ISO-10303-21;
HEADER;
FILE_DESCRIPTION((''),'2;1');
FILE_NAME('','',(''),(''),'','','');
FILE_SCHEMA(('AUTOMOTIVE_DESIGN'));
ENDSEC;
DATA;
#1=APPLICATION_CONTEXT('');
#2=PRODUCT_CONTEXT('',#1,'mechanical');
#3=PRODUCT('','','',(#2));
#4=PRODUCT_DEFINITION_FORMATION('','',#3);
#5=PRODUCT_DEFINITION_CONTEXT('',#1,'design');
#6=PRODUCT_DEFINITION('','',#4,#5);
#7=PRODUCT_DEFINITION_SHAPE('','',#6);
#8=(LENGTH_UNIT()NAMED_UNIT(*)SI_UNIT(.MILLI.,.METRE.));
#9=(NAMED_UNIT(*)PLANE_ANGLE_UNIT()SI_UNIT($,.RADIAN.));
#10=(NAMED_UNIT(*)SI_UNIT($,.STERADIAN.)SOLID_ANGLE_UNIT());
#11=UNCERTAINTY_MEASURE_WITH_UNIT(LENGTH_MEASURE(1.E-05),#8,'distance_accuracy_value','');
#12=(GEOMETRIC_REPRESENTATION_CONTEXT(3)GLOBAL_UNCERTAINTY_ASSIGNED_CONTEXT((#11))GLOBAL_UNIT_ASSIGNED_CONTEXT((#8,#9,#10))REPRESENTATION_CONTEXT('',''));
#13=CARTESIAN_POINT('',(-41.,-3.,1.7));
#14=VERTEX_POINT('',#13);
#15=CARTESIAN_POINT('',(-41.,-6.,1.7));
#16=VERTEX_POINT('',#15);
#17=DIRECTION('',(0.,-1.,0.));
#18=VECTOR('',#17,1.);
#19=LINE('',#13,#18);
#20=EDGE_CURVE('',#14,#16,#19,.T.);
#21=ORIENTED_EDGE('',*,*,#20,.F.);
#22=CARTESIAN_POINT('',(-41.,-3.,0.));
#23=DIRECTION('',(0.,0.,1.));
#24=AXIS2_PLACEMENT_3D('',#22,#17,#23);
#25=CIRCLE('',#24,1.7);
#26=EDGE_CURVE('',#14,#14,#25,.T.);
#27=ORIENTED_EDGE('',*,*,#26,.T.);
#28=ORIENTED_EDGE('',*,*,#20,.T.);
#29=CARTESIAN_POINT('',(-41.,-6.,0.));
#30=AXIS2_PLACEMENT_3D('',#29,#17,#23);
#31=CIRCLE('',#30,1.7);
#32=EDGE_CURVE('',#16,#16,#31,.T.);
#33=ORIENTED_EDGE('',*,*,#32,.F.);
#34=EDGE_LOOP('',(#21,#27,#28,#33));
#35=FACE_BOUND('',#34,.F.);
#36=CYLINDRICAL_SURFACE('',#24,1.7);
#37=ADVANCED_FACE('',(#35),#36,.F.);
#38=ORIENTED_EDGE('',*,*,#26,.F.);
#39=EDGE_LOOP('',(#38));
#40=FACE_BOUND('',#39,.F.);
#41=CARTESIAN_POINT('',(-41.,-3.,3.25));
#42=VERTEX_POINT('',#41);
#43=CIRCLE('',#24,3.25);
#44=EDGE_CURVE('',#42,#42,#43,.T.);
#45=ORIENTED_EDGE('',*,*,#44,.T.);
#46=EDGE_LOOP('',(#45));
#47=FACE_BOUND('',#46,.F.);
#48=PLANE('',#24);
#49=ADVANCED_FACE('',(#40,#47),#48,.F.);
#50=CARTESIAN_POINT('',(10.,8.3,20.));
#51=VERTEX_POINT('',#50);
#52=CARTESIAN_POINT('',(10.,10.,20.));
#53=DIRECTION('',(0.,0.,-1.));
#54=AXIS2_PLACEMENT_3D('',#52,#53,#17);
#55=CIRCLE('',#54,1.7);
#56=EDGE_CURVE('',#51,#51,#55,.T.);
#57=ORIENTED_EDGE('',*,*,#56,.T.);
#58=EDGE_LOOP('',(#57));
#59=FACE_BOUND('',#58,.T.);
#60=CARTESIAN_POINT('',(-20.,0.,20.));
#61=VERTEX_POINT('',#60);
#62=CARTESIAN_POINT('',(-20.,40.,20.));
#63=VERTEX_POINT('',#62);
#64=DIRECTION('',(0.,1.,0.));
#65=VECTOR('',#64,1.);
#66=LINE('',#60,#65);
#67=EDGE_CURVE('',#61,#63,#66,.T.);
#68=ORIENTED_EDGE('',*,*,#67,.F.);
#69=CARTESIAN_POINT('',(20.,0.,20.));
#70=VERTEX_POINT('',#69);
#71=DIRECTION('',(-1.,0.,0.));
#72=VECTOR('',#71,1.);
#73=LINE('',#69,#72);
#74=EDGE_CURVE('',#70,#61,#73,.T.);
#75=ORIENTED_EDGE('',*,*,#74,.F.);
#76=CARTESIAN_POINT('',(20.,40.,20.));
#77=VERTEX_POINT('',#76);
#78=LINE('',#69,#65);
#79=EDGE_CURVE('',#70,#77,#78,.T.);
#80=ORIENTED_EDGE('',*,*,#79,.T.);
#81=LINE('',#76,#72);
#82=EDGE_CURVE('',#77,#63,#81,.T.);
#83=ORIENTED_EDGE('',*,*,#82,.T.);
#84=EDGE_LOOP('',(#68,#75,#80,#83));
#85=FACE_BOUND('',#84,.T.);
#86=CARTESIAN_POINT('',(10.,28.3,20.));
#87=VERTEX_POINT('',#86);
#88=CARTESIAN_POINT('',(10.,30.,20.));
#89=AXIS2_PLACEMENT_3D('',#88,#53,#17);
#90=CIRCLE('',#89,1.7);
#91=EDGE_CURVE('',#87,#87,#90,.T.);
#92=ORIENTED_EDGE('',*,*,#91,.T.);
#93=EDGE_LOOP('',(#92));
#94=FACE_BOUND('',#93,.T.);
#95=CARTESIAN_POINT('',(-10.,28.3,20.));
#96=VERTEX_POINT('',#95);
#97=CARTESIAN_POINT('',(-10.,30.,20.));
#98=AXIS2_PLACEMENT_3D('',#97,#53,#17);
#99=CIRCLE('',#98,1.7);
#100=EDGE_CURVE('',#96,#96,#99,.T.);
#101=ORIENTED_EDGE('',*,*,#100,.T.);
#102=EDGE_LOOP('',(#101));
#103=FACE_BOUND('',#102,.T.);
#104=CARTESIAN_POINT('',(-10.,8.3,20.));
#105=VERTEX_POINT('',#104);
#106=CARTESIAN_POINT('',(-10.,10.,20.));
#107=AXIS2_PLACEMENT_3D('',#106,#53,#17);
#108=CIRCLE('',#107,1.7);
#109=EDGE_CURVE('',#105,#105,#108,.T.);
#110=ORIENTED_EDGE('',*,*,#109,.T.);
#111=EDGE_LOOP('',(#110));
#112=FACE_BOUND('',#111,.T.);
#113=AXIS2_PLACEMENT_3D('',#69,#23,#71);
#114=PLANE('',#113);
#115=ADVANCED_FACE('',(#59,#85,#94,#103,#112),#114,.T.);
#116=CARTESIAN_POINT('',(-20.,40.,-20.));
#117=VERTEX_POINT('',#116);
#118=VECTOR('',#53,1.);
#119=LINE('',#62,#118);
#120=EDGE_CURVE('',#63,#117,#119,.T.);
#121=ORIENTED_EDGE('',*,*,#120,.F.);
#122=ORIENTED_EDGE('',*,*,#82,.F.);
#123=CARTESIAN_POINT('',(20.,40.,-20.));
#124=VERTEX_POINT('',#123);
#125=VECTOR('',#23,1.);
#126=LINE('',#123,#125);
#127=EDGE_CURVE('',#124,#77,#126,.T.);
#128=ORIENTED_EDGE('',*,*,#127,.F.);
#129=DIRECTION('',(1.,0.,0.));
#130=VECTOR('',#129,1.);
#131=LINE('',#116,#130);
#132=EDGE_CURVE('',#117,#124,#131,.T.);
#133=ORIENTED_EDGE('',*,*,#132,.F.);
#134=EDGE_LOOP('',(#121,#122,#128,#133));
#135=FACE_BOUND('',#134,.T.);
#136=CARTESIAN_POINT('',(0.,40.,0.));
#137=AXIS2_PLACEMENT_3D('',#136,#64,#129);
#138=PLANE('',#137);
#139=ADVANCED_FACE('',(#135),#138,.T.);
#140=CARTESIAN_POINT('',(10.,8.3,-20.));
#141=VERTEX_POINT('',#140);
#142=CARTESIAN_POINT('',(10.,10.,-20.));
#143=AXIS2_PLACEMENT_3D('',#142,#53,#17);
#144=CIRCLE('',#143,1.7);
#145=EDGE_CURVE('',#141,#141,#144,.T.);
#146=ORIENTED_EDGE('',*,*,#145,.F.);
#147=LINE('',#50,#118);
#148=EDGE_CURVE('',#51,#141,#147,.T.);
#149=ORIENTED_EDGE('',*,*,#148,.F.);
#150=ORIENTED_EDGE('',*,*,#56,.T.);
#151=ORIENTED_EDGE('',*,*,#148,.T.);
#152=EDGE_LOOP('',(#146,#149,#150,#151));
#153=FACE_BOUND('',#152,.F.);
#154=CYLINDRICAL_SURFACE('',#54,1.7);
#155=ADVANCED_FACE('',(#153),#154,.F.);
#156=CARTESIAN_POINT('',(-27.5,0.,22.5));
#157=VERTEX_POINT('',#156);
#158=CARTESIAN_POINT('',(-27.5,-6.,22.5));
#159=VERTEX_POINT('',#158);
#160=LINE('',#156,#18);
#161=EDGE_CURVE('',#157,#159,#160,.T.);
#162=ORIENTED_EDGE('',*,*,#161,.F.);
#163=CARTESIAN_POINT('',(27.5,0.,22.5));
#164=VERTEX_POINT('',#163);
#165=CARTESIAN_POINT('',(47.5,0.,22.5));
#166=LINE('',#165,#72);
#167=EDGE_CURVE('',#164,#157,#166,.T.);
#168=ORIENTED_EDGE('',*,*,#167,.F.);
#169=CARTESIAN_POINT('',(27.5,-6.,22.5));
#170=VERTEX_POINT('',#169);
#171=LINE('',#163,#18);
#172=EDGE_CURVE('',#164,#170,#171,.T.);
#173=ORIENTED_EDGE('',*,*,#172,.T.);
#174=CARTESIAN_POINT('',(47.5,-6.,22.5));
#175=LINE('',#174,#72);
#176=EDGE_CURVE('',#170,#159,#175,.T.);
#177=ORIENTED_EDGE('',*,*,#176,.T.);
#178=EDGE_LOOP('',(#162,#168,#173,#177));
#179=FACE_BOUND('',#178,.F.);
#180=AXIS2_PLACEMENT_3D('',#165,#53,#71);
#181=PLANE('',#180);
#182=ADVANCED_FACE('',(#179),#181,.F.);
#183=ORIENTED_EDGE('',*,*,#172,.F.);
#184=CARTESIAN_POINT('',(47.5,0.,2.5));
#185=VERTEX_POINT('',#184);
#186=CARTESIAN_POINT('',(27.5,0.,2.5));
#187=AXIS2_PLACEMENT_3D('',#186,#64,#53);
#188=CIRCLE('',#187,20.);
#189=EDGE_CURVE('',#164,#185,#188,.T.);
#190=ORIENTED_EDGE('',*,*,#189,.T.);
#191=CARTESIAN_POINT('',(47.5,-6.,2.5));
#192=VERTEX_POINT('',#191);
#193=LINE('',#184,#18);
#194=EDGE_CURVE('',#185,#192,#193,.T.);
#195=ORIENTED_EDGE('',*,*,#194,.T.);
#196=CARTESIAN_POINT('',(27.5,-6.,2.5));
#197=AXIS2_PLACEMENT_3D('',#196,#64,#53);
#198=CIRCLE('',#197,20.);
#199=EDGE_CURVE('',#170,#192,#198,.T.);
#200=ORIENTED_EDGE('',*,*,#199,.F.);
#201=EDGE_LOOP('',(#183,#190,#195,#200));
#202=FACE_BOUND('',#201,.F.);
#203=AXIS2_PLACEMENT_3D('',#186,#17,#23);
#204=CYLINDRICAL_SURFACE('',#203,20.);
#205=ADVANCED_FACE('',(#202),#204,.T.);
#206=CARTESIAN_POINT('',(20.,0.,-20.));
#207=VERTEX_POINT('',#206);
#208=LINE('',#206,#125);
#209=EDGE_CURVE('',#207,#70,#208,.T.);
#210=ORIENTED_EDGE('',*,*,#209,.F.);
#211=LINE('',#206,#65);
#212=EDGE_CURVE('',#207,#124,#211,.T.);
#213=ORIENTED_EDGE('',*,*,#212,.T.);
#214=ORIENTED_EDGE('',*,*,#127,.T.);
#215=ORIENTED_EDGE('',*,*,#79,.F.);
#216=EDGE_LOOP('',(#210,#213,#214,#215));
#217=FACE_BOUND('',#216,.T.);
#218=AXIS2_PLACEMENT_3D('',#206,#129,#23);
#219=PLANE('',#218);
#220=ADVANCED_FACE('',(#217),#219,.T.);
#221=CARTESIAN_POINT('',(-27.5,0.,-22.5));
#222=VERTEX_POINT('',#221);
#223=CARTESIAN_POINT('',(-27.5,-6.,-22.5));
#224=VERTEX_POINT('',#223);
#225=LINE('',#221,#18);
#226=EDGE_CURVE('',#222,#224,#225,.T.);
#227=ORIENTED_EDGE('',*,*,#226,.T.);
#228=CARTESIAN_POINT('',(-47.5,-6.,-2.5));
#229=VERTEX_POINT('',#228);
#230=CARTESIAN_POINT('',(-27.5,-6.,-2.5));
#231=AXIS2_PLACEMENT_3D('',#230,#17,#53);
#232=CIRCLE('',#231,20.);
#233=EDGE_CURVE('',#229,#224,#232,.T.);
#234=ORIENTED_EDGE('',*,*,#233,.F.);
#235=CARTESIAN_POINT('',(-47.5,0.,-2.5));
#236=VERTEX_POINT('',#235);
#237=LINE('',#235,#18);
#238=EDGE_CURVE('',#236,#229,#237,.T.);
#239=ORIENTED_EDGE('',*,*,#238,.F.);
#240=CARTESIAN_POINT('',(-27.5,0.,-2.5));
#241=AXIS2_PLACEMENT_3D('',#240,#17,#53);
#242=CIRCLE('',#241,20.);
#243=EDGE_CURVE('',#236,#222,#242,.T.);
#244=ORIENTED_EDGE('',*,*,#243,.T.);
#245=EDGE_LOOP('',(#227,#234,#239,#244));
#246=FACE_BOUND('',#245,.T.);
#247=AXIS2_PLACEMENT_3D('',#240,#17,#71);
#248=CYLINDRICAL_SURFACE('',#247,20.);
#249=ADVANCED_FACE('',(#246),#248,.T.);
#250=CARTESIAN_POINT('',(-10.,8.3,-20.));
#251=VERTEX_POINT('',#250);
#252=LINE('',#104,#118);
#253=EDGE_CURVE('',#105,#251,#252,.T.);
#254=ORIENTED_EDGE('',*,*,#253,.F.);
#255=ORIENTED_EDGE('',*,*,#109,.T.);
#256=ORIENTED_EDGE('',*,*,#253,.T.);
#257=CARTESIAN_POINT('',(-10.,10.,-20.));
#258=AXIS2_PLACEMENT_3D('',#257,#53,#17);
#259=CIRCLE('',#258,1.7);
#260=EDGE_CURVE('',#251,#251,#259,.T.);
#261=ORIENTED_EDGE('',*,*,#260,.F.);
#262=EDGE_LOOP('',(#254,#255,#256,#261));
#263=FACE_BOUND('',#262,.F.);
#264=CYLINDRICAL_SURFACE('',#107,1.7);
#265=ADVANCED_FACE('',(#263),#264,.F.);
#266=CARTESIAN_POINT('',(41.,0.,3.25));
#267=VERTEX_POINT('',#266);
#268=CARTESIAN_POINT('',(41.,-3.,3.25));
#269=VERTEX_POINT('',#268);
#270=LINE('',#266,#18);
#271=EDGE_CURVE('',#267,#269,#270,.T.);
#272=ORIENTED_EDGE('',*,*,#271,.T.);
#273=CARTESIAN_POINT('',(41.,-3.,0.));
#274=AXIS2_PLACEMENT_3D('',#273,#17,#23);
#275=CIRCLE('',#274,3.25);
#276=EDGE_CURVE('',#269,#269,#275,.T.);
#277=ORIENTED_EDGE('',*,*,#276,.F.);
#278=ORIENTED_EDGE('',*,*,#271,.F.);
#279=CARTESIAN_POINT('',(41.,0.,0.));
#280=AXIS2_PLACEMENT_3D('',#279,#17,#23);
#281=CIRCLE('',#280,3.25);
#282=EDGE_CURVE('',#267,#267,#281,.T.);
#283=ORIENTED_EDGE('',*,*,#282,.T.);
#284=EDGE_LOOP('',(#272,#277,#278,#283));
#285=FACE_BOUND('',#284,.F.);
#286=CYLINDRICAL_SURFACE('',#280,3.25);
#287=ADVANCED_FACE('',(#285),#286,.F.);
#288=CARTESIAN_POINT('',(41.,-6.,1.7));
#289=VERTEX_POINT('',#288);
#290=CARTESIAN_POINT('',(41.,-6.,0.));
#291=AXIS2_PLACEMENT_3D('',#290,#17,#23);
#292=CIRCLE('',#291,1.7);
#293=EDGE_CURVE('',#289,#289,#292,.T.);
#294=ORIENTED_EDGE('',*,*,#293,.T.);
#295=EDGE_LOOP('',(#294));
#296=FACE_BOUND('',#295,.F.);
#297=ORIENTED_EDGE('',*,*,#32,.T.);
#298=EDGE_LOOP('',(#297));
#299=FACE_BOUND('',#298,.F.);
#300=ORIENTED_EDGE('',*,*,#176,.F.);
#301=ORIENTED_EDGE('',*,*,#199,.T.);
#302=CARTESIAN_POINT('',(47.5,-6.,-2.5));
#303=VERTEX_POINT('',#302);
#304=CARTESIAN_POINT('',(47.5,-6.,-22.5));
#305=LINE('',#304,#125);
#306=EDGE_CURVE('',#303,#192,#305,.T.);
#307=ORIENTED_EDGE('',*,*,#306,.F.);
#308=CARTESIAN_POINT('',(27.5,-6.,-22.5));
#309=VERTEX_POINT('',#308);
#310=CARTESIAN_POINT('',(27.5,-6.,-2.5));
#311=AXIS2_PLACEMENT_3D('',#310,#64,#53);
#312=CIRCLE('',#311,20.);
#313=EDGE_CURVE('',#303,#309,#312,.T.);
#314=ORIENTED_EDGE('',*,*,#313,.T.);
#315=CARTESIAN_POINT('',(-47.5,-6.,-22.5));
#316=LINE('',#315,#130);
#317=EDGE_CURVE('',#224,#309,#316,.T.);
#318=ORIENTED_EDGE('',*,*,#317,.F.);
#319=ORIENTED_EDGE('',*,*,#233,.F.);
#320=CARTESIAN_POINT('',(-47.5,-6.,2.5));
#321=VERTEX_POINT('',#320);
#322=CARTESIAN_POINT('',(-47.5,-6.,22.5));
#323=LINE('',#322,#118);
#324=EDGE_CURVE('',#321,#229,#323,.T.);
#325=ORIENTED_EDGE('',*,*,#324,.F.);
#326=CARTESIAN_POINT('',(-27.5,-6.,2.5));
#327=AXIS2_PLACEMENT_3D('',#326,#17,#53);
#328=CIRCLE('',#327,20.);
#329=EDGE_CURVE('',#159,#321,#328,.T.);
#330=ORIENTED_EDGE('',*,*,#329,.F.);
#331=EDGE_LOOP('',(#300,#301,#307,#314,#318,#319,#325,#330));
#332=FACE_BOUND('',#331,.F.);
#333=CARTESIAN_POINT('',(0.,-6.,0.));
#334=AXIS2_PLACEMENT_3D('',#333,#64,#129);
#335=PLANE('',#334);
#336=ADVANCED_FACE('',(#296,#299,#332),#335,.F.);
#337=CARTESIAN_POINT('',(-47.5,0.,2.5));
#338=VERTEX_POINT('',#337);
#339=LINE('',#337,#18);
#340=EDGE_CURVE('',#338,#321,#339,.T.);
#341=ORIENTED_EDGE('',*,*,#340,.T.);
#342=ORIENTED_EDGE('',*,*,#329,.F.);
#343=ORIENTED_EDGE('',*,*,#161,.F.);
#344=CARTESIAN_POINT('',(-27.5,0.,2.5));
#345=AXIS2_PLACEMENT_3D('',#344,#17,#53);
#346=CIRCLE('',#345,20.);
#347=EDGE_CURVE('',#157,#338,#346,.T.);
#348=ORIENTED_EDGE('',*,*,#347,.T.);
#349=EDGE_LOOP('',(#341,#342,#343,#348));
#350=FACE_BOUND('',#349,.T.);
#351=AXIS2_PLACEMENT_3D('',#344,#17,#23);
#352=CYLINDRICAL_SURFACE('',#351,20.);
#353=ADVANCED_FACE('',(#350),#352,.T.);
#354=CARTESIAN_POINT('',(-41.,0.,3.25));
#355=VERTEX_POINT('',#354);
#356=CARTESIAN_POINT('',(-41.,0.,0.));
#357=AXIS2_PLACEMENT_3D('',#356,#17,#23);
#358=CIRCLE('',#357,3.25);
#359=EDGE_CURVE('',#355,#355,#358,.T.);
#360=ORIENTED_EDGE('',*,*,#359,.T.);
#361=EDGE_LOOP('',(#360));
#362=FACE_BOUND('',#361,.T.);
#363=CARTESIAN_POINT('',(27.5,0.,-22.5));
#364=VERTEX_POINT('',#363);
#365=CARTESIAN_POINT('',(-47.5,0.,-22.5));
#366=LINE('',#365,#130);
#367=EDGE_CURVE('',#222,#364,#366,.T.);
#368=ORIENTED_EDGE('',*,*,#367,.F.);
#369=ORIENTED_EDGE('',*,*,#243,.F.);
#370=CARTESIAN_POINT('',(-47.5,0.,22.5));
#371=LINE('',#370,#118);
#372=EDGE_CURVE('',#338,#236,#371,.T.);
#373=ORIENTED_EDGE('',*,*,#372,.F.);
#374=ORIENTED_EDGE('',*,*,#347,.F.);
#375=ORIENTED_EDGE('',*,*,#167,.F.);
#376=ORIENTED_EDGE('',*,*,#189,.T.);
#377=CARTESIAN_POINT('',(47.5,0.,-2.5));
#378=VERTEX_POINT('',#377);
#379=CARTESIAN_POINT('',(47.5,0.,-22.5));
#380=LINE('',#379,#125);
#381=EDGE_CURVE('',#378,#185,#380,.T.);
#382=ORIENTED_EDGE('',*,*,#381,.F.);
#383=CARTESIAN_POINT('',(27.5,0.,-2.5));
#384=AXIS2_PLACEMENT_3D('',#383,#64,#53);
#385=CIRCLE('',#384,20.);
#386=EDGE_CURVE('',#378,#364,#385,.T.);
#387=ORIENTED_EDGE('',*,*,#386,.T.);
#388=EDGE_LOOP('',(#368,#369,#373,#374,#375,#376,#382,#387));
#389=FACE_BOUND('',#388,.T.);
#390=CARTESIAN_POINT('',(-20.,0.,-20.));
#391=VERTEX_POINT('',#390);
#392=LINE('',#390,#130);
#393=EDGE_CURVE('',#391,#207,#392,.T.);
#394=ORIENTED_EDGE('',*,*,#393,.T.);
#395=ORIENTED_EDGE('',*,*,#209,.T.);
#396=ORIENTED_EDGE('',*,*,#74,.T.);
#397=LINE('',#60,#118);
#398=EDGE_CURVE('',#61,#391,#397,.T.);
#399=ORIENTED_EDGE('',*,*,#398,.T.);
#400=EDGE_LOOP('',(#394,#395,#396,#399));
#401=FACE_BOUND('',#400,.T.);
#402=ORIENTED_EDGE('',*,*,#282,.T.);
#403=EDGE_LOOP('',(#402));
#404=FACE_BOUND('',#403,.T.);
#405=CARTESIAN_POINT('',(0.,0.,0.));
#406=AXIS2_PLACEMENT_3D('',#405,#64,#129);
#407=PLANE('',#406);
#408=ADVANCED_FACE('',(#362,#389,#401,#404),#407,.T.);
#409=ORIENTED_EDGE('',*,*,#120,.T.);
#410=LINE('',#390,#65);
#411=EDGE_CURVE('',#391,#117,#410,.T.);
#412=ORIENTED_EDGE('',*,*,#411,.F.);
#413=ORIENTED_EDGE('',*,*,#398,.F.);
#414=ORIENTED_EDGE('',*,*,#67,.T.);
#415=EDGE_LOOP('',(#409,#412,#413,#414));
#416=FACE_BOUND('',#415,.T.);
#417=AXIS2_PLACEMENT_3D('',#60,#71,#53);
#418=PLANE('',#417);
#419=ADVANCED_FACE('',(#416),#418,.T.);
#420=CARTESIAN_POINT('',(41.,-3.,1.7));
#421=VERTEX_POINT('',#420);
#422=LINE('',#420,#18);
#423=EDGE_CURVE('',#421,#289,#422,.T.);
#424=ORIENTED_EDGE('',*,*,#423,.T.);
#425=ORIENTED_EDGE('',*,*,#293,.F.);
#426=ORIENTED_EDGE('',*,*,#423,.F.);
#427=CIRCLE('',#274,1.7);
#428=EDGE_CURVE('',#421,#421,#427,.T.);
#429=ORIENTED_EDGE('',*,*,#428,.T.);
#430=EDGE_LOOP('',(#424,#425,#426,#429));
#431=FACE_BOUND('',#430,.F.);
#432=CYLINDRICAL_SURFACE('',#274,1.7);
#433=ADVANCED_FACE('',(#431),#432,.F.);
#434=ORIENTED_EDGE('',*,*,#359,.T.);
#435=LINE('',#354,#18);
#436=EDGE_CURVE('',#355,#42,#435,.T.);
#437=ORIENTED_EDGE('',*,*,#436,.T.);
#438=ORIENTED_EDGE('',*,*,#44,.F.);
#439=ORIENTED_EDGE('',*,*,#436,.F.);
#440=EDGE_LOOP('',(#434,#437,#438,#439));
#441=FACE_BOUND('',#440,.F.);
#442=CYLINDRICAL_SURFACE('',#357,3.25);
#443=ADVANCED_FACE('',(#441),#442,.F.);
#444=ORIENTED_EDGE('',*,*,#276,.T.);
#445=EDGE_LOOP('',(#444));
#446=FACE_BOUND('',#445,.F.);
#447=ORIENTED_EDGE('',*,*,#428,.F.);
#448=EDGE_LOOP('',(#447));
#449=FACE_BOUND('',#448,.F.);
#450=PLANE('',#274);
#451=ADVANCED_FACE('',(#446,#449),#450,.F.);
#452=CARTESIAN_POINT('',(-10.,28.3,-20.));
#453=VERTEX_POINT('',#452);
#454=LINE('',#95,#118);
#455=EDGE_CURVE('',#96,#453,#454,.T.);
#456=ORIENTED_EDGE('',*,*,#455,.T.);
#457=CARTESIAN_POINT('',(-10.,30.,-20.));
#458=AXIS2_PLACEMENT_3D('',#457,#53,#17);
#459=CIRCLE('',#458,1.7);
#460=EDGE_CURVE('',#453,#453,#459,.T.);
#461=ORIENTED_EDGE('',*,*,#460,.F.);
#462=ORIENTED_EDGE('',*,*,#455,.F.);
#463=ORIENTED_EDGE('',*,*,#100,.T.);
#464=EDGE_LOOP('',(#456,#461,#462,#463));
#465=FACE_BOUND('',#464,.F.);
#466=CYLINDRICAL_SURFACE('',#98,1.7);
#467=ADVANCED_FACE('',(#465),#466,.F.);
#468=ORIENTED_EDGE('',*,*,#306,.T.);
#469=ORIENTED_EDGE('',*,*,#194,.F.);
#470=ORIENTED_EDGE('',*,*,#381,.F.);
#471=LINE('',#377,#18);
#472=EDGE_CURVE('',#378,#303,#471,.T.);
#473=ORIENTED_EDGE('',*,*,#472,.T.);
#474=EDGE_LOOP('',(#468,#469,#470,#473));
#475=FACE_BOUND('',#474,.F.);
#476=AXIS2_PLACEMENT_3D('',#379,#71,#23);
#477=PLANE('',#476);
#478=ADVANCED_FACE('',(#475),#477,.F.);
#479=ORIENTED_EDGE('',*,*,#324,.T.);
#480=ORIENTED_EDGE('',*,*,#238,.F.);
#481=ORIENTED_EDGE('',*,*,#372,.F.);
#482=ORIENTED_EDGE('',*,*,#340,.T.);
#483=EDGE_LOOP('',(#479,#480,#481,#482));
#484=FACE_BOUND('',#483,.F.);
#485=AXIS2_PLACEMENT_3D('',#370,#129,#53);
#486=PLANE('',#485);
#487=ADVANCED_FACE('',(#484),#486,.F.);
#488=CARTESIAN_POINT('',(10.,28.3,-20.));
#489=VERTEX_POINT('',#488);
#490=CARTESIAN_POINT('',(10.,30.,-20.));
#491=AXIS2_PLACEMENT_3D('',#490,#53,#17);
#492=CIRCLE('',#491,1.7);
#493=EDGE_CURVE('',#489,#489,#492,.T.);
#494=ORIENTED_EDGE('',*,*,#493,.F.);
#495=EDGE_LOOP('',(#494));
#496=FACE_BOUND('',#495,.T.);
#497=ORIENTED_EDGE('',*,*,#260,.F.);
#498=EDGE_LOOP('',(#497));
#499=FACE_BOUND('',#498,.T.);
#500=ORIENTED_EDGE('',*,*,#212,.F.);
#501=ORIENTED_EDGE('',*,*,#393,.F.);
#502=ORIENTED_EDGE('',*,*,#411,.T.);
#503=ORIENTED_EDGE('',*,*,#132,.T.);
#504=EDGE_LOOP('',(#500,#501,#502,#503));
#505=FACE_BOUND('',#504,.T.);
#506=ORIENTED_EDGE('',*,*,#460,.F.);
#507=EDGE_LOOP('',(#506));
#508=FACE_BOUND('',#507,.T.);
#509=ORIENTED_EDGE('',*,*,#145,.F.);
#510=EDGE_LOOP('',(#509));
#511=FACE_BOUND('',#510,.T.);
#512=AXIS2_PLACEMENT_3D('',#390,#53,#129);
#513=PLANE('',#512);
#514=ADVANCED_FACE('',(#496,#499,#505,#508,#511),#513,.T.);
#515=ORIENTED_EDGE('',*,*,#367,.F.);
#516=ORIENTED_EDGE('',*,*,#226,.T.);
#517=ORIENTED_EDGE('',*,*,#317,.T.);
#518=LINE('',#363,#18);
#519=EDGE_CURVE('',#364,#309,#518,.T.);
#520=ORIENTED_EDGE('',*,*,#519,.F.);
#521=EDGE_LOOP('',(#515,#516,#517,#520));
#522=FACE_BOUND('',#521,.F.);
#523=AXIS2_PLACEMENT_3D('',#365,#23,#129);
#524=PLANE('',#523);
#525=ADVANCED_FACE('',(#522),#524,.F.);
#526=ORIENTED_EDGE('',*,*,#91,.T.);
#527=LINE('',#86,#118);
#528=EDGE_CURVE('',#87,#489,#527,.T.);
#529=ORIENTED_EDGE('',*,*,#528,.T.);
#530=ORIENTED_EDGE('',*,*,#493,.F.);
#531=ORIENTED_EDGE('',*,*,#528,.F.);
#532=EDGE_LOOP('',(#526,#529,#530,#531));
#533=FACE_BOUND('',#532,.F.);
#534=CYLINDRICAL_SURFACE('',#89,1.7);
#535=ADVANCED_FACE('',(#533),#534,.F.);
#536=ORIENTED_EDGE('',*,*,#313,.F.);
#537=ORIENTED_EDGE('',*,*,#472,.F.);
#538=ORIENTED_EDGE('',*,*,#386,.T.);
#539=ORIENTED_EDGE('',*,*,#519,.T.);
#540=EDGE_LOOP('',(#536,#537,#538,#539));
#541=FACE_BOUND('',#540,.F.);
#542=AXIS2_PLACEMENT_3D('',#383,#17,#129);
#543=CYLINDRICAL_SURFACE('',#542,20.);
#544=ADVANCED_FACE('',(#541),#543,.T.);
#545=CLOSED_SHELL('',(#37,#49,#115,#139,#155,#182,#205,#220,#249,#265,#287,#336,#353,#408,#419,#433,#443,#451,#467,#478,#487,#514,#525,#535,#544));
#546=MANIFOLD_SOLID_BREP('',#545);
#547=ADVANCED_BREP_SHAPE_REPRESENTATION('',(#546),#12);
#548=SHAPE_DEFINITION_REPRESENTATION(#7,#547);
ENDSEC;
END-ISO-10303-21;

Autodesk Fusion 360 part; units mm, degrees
sketch "Sketch1" plane through (0, 0, 0) normal (0, 1, 0) x (1, 0, 0)
  line L0 (47.5, -22.5) -> (-47.5, -22.5)
  line L1 (-47.5, -22.5) -> (-47.5, 22.5)
  line L2 (-47.5, 22.5) -> (47.5, 22.5)
  line L3 (47.5, 22.5) -> (47.5, -22.5)
  line L4 (47.5, -22.5) -> (-47.5, 22.5) construction
  line L5 (-47.5, -22.5) -> (47.5, 22.5) construction
  line L6 (20, -20) -> (-20, -20)
  line L7 (-20, -20) -> (-20, 20)
  line L8 (-20, 20) -> (20, 20)
  line L9 (20, 20) -> (20, -20)
  line L10 (20, -20) -> (-20, 20) construction
  line L11 (-20, -20) -> (20, 20) construction
  point P0 (-41, 0)
  point P1 (41, 0)
  dimension "d1" = 95
  dimension "d2" = 45
  dimension "d3" = 82
  dimension "d4" = 41
  dimension "d11" = 40
  dimension "d12" = 40
extrude "Extrude1" add sketch "Sketch1" against normal blind 6 contours L0 L1 L2 L3 | L6 L7 L8 L9
hole "Hole1" at (-41, 0, 0) at (41, 0, 0) direction (0, -1, 0) diameter 3.4 depth 35 tip angle 118 counterbore diameter 6.5 counterbore depth 3
extrude "Extrude2" add sketch "Sketch1" along normal blind 40 contours L6 L7 L8 L9
fillet "Fillet1" radius 20 2 edges at (-47.5, -3, 22.5) (-47.5, -3, -22.5)
fillet "Fillet1" radius 20 2 edges at (47.5, -3, 22.5) (47.5, -3, -22.5)
sketch "Sketch2" plane through (0, 0, 20) normal (0, 0, 1) x (1, 0, 0)
  line L0 (-20, 0) -> (20, 0)
  line L1 (20, 0) -> (20, 40)
  line L2 (20, 40) -> (-20, 40)
  line L3 (-20, 40) -> (-20, 0)
  point P0 (-10, 30)
  point P1 (10, 30)
  point P2 (10, 10)
  point P3 (-10, 10)
hole "Hole2" at (10, 30, 20) at (-10, 30, 20) at (-10, 10, 20) at (10, 10, 20) direction (0, 0, -1) diameter 3.4 depth 44 tip angle 118
equation "d4 = d3 / 2"
